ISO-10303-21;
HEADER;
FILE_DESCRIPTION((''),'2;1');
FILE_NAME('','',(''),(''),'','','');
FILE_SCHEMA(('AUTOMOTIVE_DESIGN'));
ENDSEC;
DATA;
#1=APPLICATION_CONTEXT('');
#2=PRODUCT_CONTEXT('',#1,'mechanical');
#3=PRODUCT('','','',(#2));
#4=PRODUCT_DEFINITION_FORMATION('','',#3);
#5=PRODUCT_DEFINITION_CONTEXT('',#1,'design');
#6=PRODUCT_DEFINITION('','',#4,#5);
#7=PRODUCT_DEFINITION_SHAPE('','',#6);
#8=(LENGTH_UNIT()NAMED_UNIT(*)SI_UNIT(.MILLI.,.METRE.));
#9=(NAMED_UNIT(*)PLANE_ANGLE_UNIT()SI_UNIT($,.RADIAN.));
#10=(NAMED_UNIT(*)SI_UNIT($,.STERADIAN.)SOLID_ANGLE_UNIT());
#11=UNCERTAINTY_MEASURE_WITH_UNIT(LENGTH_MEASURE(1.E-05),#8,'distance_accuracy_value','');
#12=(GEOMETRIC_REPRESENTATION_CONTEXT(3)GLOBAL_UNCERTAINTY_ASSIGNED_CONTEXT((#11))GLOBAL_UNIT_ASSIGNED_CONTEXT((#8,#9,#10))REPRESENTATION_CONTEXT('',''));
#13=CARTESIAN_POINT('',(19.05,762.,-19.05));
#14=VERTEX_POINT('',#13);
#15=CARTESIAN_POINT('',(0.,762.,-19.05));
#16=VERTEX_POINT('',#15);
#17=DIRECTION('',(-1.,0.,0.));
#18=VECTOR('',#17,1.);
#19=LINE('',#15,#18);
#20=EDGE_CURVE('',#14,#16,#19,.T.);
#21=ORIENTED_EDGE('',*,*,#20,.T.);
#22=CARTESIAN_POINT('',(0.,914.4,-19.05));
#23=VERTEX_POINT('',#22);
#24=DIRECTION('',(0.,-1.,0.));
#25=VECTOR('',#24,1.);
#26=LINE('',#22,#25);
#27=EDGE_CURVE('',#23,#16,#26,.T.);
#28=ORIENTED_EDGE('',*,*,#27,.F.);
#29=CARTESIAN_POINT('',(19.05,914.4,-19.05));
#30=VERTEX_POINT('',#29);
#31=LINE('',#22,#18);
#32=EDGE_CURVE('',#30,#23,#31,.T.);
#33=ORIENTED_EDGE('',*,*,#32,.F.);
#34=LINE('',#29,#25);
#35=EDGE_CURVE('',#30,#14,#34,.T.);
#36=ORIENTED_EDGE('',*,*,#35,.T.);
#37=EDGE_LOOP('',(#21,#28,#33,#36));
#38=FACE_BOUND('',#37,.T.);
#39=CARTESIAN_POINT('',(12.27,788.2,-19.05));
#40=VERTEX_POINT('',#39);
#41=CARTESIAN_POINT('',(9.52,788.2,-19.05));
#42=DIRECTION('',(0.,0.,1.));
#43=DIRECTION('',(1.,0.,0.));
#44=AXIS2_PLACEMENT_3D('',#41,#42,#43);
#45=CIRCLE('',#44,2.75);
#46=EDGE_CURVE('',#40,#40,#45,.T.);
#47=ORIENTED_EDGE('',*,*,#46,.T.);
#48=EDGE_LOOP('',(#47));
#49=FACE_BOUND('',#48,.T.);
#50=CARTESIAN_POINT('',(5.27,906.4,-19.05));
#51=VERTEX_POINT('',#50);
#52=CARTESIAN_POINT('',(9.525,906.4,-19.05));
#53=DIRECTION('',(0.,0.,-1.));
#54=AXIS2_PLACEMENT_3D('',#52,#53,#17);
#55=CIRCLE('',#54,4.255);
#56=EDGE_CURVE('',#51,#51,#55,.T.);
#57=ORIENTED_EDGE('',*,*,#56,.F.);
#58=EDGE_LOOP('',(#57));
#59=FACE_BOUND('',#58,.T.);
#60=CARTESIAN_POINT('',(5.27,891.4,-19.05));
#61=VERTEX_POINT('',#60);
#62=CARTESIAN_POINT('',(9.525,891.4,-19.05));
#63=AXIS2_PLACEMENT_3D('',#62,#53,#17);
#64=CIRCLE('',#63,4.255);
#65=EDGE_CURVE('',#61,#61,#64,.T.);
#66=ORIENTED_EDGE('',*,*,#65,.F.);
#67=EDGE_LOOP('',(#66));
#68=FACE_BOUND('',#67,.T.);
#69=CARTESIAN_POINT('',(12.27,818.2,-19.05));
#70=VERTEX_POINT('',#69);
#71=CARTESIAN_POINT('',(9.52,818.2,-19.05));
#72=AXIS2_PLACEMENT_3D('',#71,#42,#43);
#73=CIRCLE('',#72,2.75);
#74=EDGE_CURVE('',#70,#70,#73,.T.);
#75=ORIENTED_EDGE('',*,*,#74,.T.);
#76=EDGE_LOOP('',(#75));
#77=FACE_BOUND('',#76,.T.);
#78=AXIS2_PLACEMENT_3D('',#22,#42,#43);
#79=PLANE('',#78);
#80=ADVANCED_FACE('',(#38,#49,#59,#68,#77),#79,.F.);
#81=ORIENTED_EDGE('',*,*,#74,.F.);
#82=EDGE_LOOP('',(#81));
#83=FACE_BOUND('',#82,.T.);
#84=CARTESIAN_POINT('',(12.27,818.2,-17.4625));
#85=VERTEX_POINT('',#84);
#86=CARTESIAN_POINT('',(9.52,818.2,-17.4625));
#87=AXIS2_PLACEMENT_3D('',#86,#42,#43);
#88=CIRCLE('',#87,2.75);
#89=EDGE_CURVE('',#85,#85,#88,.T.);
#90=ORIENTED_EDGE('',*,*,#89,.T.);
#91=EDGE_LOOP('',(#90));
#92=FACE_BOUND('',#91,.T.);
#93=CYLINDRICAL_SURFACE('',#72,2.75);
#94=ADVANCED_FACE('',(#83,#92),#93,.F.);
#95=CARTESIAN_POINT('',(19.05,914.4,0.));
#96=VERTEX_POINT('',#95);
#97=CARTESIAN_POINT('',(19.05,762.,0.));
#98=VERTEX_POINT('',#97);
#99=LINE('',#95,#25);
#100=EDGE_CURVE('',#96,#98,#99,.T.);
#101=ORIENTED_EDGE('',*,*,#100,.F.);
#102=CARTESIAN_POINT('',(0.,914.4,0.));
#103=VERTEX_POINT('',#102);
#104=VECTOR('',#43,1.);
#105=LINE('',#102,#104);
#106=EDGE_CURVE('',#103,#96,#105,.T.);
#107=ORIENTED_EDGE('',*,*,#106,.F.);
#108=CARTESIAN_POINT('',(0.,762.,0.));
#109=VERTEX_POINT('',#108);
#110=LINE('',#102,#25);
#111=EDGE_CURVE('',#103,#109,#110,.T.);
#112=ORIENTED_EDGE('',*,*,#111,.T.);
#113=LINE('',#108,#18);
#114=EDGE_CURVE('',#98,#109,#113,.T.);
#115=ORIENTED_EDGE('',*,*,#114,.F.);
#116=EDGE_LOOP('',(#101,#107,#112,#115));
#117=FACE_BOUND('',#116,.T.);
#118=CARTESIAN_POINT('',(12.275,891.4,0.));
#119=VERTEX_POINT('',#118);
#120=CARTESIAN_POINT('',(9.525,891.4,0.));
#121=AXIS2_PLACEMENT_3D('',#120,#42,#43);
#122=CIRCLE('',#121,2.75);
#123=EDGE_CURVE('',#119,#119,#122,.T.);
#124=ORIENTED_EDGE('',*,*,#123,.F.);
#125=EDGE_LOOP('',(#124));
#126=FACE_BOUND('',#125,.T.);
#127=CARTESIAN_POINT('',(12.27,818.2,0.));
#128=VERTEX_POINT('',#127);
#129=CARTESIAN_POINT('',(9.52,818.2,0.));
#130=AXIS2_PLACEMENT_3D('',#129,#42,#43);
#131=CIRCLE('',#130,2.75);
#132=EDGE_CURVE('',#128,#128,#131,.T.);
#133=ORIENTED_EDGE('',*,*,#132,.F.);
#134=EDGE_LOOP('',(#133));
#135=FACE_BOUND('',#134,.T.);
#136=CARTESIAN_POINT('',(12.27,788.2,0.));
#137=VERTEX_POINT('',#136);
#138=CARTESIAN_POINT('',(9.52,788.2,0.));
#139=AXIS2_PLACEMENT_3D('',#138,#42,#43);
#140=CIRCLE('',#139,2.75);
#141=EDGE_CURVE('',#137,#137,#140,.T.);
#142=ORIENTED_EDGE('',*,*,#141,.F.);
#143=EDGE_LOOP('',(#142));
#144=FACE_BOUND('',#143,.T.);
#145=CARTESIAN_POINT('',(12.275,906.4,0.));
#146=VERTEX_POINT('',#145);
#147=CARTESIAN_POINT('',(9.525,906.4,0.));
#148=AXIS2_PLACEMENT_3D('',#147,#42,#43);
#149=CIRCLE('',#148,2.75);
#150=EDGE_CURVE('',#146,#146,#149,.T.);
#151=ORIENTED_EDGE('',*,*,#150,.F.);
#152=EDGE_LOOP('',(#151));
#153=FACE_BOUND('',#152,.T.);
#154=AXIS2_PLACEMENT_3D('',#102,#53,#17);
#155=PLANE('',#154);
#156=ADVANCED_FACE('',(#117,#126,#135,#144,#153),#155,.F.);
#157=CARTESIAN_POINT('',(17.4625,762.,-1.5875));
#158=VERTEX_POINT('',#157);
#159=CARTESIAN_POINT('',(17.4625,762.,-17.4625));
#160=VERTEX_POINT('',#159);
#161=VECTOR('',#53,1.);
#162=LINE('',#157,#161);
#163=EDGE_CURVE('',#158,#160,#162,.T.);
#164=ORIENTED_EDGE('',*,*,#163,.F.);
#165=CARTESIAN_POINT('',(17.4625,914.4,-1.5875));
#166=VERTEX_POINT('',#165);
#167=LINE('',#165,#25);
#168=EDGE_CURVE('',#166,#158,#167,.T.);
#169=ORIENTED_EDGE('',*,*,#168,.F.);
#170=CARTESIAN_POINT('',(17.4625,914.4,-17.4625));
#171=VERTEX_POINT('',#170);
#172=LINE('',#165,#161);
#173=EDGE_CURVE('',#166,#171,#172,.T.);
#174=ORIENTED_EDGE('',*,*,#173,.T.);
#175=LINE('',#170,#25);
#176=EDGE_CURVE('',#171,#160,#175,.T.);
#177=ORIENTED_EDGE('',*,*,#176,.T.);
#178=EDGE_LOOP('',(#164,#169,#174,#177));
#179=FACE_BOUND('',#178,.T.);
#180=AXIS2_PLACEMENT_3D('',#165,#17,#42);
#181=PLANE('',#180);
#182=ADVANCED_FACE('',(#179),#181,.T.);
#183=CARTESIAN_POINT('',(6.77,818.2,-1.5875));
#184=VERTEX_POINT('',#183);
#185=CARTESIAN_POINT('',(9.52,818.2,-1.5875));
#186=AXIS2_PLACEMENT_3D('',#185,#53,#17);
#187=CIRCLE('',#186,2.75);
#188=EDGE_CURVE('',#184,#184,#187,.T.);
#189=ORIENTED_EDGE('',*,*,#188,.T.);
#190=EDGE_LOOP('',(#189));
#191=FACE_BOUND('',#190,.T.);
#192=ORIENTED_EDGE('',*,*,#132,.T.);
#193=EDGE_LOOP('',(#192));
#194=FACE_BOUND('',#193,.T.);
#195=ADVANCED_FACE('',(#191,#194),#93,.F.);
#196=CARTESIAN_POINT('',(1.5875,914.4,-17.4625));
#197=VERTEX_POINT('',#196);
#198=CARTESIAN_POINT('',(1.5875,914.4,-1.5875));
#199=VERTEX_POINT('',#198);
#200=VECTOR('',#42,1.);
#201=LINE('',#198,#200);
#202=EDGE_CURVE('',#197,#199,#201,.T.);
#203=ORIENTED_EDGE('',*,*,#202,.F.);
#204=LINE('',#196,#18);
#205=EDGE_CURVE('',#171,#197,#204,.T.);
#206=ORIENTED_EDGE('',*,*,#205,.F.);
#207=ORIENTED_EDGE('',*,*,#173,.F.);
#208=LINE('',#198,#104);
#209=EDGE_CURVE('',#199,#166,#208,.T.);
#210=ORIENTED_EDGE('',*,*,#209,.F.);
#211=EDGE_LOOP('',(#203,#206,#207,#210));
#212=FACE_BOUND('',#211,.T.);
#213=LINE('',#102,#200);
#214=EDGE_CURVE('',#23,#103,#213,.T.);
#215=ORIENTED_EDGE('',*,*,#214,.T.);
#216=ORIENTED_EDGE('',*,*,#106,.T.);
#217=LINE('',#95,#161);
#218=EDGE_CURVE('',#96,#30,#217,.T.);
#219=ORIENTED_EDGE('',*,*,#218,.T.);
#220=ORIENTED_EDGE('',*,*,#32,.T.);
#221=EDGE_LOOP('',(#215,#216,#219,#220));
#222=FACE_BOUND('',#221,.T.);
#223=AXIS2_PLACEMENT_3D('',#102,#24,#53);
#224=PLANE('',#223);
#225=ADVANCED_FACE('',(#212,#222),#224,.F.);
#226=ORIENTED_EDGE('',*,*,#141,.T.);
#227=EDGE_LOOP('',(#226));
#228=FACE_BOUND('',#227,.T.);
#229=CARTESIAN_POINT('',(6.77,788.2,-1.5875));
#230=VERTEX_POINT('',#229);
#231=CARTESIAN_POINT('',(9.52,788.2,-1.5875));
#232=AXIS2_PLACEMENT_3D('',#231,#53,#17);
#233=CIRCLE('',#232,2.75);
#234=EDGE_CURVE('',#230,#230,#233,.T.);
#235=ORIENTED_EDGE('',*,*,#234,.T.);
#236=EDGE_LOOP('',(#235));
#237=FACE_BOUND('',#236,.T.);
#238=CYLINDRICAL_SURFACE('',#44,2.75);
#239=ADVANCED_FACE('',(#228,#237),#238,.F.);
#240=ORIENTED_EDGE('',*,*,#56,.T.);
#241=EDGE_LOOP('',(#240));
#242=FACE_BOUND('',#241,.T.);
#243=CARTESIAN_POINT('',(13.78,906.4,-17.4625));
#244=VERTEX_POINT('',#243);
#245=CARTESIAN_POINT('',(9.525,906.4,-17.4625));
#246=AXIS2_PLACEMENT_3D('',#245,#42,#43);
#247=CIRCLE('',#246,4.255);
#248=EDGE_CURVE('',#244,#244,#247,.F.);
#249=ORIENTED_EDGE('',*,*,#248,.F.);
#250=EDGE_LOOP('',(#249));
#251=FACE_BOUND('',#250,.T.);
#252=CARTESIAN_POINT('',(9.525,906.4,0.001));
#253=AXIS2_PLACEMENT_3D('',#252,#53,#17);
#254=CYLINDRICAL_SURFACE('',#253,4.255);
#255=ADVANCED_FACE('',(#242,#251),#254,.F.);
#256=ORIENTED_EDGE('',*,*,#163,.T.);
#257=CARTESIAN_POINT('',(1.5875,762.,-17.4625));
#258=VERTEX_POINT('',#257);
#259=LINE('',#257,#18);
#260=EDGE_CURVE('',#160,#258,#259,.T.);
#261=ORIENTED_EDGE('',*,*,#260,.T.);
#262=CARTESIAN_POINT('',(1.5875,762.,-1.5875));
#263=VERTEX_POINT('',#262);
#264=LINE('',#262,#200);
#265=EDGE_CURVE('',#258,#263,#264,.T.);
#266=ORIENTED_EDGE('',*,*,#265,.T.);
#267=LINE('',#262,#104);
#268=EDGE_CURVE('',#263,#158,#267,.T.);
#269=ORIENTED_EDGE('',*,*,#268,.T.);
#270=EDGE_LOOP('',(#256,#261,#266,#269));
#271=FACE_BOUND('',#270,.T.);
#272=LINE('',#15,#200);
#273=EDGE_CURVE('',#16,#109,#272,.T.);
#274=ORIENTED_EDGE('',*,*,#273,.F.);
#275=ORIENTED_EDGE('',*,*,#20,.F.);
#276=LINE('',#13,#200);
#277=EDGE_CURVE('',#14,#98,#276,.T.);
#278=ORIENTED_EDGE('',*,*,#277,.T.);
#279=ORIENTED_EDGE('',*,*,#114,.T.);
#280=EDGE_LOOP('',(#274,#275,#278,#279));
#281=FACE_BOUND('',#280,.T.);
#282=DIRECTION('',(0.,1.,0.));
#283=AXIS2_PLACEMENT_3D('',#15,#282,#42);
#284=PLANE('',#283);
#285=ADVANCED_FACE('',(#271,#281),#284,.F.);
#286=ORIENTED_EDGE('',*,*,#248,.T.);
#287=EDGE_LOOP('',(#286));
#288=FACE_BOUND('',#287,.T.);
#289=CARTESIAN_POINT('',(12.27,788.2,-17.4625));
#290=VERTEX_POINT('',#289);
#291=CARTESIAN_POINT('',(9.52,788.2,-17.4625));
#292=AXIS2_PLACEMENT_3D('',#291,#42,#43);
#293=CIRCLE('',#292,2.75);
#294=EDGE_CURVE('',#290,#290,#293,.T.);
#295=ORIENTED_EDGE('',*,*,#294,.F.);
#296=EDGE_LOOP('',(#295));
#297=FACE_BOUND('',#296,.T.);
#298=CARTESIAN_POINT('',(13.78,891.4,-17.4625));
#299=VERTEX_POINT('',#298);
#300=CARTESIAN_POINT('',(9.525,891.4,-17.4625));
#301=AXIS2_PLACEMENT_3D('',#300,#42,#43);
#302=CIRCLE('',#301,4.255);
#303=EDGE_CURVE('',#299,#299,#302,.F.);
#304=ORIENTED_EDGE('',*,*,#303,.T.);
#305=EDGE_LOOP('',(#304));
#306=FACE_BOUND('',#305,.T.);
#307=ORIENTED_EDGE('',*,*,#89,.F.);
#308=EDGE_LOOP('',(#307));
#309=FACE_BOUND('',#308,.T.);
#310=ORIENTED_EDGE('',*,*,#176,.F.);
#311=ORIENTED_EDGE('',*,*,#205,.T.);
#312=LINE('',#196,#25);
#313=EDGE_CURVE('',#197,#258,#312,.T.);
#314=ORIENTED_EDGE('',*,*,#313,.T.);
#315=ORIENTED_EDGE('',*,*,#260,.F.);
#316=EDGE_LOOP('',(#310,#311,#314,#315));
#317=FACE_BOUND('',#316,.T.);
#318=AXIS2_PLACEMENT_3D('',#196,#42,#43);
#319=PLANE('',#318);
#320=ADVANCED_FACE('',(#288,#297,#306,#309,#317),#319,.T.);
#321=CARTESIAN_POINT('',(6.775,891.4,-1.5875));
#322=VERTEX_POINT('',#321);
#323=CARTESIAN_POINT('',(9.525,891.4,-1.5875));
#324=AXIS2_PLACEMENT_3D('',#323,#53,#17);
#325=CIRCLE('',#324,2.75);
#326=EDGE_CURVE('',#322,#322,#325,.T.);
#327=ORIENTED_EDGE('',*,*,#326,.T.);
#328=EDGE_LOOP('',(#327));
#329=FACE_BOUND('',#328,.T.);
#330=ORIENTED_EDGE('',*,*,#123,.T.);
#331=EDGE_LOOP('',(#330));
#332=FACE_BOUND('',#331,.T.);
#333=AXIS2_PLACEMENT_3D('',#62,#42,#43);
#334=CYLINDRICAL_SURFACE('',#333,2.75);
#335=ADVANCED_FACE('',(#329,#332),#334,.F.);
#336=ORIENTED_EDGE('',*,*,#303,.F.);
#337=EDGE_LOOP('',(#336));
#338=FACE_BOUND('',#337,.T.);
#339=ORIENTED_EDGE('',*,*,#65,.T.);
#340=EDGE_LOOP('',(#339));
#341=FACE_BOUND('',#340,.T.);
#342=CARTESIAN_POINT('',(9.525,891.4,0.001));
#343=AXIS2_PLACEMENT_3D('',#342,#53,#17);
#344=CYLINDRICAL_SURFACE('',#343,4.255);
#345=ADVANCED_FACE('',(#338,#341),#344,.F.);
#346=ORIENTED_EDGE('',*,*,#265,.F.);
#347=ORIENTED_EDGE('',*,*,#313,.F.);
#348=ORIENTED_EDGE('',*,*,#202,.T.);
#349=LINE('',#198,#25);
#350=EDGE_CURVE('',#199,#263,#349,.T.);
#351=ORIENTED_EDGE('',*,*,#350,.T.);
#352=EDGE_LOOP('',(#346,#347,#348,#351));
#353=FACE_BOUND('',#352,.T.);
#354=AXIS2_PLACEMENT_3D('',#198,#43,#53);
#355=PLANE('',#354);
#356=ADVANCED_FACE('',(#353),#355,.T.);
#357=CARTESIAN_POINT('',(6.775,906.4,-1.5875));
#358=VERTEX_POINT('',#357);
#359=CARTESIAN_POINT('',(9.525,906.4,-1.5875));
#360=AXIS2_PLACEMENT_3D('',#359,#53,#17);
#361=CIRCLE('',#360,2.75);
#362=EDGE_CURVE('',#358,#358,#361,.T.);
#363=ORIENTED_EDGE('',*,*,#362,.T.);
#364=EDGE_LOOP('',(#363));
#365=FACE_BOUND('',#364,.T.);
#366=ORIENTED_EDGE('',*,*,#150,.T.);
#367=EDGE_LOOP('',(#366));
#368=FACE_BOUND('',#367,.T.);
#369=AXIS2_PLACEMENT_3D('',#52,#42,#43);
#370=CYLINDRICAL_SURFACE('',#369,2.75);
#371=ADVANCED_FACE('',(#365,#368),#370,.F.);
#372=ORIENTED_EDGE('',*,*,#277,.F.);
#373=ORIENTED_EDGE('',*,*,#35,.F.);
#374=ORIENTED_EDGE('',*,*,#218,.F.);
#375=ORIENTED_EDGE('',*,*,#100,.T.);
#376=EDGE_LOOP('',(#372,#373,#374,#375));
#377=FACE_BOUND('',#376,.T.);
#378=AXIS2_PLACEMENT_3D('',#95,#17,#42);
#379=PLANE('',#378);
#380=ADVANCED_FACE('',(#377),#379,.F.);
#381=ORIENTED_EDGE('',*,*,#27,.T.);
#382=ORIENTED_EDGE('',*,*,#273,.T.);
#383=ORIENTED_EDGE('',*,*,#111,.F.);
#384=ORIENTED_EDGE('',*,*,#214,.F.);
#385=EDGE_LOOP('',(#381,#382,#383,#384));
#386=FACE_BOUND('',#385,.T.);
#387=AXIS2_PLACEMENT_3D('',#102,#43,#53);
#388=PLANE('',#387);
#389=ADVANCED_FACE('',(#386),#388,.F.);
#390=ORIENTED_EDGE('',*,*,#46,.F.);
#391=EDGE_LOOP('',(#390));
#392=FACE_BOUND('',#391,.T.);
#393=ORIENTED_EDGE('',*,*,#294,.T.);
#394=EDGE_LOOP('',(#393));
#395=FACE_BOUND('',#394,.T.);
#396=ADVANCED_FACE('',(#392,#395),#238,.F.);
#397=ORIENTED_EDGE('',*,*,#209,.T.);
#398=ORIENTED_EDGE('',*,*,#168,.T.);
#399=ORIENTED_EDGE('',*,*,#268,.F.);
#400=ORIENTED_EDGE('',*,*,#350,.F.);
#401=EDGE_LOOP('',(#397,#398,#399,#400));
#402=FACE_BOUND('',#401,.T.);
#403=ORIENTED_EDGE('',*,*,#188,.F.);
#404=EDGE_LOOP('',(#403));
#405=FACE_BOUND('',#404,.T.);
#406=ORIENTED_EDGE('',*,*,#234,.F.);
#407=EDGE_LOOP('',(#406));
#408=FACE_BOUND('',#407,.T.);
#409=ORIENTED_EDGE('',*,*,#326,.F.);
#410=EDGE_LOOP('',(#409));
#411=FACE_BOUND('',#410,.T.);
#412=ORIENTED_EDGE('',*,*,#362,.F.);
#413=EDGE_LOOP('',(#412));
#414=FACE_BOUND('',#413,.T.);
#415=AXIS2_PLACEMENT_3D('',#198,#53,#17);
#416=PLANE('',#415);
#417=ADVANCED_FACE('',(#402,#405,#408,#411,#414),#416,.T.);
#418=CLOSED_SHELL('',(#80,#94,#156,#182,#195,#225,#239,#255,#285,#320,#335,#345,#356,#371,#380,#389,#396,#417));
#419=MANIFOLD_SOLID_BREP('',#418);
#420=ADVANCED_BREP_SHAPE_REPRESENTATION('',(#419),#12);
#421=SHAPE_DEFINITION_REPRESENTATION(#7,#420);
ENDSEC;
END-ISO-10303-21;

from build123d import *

# Parameters (mm, degrees)
SKETCH1_W           = 19.05
SKETCH1_H           = 19.05
SKETCH1_W_2         = 15.875
SKETCH1_H_2         = 15.875
BOSS_EXTRUDE1_DEPTH = 914.4
SKETCH2_R           = 2.75
CUT_EXTRUDE1_DEPTH  = 20.05
CUT_EXTRUDE2_REACH  = 21.05
SKETCH3_R           = 4.255
SKETCH4_W           = 19.05
SKETCH4_H           = 762
CUT_EXTRUDE3_DEPTH  = 20.05
SKETCH5_R           = 2.75
CUT_EXTRUDE4_DEPTH  = 20.05


with BuildPart() as part:
    # Sketch1 → Boss-Extrude1 (new body)
    with BuildSketch(Plane(origin=(0, 0, 0), x_dir=(1, 0, 0), z_dir=(0, 1, 0))):
        with Locations((9.525, 9.525)):
            Rectangle(SKETCH1_W, SKETCH1_H)
        with Locations((9.525, 9.525)):
            Rectangle(SKETCH1_W_2, SKETCH1_H_2, mode=Mode.SUBTRACT)
    extrude(amount=BOSS_EXTRUDE1_DEPTH)

    # Sketch2 → Cut-Extrude1 (cut, through all)
    with BuildSketch(Plane.XY):
        with Locations((9.525, 906.4)):
            Circle(SKETCH2_R)
        with Locations((9.525, 891.4)):
            Circle(SKETCH2_R)
    extrude(amount=-CUT_EXTRUDE1_DEPTH, mode=Mode.SUBTRACT)

    # Sketch3 → Cut-Extrude2 (cut, up to next)
    with BuildSketch(Plane(origin=(0, 0, -19.05), x_dir=(-1, 0, 0), z_dir=(0, 0, -1)), mode=Mode.PRIVATE) as cut_extrude2_sk1:
        with Locations((-9.525, 906.4)):
            Circle(SKETCH3_R)
    cut_extrude2_tool1 = extrude(cut_extrude2_sk1.sketch, amount=-CUT_EXTRUDE2_REACH, mode=Mode.PRIVATE) & part.part
    add(cut_extrude2_tool1.solids().sort_by_distance((9.525, 906.4, -19.05))[0], mode=Mode.SUBTRACT)
    # Sketch3 → Cut-Extrude2 (cut, up to next)
    with BuildSketch(Plane(origin=(0, 0, -19.05), x_dir=(-1, 0, 0), z_dir=(0, 0, -1)), mode=Mode.PRIVATE) as cut_extrude2_sk2:
        with Locations((-9.525, 891.4)):
            Circle(SKETCH3_R)
    cut_extrude2_tool2 = extrude(cut_extrude2_sk2.sketch, amount=-CUT_EXTRUDE2_REACH, mode=Mode.PRIVATE) & part.part
    add(cut_extrude2_tool2.solids().sort_by_distance((9.525, 891.4, -19.05))[0], mode=Mode.SUBTRACT)

    # Sketch4 → Cut-Extrude3 (cut, through all)
    with BuildSketch(Plane.XY):
        with Locations((9.525, 381)):
            Rectangle(SKETCH4_W, SKETCH4_H)
    extrude(amount=-CUT_EXTRUDE3_DEPTH, mode=Mode.SUBTRACT)

    # Sketch5 → Cut-Extrude4 (cut, through all)
    with BuildSketch(Plane.XY):
        with Locations((9.52, 788.2)):
            Circle(SKETCH5_R)
        with Locations((9.52, 818.2)):
            Circle(SKETCH5_R)
    extrude(amount=-CUT_EXTRUDE4_DEPTH, mode=Mode.SUBTRACT)


solid = part.part
